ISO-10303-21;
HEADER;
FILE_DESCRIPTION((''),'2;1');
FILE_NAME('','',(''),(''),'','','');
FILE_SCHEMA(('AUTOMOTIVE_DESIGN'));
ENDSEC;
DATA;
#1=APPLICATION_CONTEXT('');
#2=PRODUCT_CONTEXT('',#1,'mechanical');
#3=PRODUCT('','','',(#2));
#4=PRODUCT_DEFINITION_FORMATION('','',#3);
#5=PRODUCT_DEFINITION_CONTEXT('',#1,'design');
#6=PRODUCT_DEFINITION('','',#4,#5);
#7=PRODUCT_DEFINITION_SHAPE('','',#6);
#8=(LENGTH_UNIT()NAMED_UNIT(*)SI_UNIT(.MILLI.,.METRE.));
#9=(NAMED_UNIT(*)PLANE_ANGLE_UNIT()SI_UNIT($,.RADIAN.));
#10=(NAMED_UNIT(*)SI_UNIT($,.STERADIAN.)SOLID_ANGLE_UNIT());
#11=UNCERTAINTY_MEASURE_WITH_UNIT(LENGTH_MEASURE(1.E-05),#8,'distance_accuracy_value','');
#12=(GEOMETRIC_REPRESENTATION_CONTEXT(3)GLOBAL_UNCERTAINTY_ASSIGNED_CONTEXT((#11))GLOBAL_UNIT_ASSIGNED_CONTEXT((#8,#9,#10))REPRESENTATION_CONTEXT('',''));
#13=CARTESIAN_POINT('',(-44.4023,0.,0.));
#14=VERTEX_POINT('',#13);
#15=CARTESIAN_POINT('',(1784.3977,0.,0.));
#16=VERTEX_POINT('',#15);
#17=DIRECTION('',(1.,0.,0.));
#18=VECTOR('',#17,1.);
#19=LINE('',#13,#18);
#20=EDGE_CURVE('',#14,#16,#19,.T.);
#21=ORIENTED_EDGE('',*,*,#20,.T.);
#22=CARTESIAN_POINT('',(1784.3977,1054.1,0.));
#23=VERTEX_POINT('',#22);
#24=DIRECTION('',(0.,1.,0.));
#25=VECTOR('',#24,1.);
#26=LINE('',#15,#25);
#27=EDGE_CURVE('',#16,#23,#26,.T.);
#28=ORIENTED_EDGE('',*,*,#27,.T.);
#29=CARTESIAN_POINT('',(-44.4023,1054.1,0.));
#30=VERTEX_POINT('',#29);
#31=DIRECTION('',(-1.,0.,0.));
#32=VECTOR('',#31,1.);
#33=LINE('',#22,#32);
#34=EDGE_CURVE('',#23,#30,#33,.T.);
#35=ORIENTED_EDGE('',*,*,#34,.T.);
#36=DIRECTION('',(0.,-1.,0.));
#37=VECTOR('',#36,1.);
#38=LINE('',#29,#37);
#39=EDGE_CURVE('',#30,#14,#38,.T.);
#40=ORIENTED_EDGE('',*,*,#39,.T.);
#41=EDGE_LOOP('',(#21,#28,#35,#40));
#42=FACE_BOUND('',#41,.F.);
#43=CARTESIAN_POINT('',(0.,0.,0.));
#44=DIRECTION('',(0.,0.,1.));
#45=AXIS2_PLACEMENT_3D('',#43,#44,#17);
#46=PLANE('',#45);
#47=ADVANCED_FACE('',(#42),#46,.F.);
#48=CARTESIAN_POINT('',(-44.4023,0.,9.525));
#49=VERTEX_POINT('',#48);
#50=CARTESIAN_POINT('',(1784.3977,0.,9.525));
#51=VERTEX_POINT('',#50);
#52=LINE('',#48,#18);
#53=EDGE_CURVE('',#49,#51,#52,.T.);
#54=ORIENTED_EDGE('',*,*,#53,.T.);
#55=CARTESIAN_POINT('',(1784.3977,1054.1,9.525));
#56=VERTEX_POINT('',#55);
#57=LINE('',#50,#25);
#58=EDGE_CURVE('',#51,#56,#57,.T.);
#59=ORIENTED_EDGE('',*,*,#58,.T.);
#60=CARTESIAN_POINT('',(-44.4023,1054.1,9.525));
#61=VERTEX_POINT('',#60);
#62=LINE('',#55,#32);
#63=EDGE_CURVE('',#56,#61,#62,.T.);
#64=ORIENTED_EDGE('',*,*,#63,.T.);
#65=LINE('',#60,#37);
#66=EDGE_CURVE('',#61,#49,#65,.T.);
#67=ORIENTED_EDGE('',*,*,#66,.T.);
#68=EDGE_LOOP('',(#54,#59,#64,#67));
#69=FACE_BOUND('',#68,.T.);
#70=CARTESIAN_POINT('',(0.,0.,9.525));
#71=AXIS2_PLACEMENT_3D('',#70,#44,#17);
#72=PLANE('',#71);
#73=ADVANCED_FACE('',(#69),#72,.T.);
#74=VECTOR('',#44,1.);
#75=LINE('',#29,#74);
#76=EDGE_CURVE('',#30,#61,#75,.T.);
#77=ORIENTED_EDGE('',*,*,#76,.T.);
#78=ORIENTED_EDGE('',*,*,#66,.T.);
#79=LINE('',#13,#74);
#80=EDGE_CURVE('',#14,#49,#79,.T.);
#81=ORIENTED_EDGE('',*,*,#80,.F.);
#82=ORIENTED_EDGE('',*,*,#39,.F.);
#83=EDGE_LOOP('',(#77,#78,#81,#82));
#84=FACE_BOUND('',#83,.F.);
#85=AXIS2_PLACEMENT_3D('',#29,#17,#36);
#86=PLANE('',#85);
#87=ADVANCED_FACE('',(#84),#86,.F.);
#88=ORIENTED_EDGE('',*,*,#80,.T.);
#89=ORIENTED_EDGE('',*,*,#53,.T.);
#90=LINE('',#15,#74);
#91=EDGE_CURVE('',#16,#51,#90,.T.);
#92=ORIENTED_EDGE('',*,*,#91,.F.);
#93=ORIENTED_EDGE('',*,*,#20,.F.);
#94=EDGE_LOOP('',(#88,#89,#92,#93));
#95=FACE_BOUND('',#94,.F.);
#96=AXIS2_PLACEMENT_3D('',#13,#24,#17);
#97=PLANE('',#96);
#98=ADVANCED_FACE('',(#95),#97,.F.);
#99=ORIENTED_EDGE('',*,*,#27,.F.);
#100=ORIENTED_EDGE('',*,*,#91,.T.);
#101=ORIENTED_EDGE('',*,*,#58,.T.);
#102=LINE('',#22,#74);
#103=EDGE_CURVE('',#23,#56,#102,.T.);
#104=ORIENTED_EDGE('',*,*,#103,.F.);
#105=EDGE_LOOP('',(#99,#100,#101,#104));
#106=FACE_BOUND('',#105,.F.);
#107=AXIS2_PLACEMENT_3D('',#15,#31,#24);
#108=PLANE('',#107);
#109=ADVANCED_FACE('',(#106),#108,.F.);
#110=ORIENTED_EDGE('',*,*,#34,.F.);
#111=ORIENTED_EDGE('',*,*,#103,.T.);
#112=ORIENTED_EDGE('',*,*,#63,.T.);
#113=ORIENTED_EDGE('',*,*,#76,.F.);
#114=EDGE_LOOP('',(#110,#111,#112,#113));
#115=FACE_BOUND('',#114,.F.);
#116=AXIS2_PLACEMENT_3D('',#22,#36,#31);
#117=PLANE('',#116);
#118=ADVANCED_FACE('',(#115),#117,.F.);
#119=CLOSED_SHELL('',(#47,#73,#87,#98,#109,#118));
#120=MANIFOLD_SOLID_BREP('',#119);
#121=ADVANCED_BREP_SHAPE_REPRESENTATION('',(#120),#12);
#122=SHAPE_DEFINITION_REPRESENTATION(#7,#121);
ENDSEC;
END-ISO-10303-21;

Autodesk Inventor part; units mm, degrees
ref_plane "YZ Plane" through (0, 0, 0) normal (1, 0, 0) x (0, 1, 0)
ref_plane "XZ Plane" through (0, 0, 0) normal (0, 1, 0) x (-1, 0, 0)
ref_plane "XY Plane" through (0, 0, 0) normal (0, 0, 1) x (1, 0, 0)
sketch "Sketch1" plane through (0, 0, 0) normal (0, 0, 1) x (1, 0, 0)
  line L0 (-44.4023, 0) -> (1784.3977, 0)
  line L1 (1784.3977, 0) -> (1784.3977, 1054.1)
  line L2 (1784.3977, 1054.1) -> (-44.4023, 1054.1)
  line L3 (-44.4023, 1054.1) -> (-44.4023, 0)
  dimension "d0" = 1828.8
  dimension "d1" = 1054.1
extrude "Extrusion1" add sketch "Sketch1" along normal blind 9.525
properties part number "FE-00012"
